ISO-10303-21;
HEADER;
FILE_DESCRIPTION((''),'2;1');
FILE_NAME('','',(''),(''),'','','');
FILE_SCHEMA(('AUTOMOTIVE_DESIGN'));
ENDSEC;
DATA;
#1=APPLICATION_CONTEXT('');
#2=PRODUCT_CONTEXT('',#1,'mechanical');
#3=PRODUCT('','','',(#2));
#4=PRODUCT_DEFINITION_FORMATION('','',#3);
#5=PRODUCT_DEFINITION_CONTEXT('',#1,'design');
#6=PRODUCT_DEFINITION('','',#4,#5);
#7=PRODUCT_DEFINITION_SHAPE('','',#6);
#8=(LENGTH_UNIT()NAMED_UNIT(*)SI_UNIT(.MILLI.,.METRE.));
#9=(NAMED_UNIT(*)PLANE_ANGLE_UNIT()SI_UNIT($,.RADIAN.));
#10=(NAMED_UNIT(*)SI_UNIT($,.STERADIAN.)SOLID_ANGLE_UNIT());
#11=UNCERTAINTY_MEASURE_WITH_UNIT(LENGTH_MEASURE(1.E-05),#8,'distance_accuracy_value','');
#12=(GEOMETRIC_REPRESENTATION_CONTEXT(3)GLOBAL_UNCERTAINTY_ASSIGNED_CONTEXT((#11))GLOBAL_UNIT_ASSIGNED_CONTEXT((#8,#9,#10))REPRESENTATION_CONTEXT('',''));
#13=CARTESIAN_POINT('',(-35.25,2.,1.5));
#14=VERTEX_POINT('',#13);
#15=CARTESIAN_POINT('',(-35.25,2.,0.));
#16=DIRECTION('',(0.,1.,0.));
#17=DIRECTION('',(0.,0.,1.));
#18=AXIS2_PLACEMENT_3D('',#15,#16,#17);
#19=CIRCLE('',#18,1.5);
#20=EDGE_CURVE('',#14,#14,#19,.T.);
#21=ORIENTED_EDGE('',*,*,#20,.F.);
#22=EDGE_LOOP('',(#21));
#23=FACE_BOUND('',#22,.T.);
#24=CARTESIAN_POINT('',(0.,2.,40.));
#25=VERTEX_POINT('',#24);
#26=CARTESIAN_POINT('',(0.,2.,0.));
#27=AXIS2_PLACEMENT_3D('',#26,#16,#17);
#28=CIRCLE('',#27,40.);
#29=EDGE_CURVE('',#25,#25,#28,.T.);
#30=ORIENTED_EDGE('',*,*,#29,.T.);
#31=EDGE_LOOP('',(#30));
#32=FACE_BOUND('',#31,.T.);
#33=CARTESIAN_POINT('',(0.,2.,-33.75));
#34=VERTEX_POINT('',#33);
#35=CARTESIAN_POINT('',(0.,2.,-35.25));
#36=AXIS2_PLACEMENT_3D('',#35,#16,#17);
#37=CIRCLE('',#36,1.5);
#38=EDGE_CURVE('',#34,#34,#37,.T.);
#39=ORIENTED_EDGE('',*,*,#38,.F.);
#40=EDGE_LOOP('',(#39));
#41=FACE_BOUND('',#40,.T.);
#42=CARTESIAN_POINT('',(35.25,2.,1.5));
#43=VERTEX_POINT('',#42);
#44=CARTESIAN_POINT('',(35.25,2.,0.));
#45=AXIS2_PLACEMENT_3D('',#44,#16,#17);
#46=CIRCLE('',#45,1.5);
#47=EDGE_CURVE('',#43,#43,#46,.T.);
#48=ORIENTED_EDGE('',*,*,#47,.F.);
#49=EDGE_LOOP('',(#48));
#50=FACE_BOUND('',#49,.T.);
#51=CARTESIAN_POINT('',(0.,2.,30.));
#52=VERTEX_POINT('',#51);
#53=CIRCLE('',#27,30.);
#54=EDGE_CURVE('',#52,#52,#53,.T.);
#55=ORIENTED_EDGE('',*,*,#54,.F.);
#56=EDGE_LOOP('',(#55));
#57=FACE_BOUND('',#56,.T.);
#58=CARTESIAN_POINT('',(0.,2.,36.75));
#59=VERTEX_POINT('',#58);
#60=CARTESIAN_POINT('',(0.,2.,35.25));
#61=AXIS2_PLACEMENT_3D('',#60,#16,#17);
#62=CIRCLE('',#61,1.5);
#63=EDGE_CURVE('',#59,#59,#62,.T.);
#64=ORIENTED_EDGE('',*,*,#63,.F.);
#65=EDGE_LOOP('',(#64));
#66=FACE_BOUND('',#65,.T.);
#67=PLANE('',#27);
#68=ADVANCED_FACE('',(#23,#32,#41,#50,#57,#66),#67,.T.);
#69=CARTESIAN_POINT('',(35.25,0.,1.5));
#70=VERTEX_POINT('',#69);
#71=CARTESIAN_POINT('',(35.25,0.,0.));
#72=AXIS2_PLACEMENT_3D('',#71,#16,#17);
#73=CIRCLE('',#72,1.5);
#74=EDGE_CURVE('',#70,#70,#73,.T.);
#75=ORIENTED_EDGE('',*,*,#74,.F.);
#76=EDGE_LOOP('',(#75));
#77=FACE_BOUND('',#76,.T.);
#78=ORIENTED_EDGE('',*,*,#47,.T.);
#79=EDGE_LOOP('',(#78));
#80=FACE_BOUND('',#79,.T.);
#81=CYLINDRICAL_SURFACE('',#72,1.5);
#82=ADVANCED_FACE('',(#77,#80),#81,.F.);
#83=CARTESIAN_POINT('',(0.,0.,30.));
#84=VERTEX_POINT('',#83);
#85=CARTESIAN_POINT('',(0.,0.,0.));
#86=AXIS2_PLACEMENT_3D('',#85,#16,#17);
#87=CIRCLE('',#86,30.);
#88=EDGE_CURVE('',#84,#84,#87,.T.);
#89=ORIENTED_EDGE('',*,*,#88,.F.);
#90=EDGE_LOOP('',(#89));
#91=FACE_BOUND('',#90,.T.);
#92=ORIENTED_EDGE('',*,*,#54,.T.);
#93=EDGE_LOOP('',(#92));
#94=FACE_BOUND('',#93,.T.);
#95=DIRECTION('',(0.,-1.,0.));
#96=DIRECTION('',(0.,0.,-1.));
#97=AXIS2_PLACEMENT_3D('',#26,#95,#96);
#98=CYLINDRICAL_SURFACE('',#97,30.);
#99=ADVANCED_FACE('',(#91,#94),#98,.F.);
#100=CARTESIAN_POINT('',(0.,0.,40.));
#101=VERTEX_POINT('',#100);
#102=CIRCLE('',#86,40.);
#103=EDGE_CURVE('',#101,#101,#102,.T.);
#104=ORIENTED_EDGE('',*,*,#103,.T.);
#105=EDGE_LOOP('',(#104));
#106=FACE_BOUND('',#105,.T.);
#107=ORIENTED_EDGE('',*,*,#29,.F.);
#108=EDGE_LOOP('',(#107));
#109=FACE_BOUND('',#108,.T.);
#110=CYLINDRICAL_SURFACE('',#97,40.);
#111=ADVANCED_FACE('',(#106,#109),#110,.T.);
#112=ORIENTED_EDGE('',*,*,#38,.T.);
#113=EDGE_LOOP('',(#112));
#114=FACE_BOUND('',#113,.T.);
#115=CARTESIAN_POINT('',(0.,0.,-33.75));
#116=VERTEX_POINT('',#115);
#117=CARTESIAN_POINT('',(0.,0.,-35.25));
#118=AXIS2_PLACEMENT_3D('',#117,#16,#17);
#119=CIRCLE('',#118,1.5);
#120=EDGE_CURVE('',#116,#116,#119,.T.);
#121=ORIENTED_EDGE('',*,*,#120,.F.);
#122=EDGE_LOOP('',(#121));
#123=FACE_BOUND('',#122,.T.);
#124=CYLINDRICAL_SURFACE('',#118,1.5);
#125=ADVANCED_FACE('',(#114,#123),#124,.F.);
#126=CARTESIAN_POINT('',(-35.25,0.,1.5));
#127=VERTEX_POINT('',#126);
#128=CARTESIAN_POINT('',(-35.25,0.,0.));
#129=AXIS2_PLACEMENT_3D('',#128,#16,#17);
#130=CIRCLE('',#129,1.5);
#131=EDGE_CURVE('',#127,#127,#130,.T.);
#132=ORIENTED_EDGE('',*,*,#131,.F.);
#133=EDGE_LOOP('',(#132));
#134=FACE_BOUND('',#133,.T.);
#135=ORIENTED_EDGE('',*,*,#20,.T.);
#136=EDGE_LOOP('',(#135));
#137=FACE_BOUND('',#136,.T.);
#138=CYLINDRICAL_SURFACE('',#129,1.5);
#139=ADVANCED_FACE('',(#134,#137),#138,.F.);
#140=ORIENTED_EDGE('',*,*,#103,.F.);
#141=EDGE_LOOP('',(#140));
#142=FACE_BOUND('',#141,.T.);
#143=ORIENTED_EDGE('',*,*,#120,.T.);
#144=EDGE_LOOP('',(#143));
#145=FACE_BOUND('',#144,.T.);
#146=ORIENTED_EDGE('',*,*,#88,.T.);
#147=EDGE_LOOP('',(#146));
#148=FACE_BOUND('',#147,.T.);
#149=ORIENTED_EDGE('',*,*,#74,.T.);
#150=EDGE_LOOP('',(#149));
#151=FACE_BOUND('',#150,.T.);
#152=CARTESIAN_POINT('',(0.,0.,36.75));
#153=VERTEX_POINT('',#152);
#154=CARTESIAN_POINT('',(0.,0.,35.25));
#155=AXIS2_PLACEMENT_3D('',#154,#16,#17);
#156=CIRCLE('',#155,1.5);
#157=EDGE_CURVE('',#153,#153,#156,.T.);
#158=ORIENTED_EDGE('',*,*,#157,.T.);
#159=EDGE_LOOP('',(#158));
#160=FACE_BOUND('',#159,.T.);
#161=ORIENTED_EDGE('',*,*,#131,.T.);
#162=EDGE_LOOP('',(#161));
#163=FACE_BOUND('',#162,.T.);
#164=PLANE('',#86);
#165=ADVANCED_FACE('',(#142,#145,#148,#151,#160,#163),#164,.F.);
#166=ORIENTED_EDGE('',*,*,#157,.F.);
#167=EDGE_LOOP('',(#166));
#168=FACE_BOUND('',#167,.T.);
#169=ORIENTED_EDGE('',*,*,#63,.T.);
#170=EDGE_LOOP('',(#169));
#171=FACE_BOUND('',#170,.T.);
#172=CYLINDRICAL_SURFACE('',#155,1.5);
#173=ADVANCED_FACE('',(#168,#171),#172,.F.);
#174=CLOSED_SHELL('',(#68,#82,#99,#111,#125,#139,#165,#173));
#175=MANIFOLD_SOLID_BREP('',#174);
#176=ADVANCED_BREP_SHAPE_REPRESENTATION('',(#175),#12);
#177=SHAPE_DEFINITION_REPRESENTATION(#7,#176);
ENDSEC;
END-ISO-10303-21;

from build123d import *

# Parameters (mm, degrees)
CROQUIS_BASE_R          = 40
CROQUIS_BASE_R_2        = 30
SALIENTE_EXTRUIR1_DEPTH = 2
CROQUIS_BARRENOS_R      = 1.5
CORTAR_EXTRUIR1_DEPTH   = 2


with BuildPart() as part:
    # Croquis base → Saliente-Extruir1 (new body)
    with BuildSketch(Plane(origin=(0, 0, 0), x_dir=(1, 0, 0), z_dir=(0, 1, 0))):
        with Locations(Location((0, 0, 0), (0, 0, 270))):
            Circle(CROQUIS_BASE_R)
        with Locations(Location((0, 0, 0), (0, 0, 270))):
            Circle(CROQUIS_BASE_R_2, mode=Mode.SUBTRACT)
    extrude(amount=SALIENTE_EXTRUIR1_DEPTH)

    # Croquis Barrenos → Cortar-Extruir1 (cut)
    with BuildSketch(Plane(origin=(0, 2, 0), x_dir=(1, 0, 0), z_dir=(0, 1, 0))):
        with Locations(Location((-35.25, 0, 0), (0, 0, 270))):
            Circle(CROQUIS_BARRENOS_R)
        with Locations(Location((0, 35.25, 0), (0, 0, 270))):
            Circle(CROQUIS_BARRENOS_R)
        with Locations(Location((35.25, 0, 0), (0, 0, 270))):
            Circle(CROQUIS_BARRENOS_R)
        with Locations(Location((0, -35.25, 0), (0, 0, 270))):
            Circle(CROQUIS_BARRENOS_R)
    extrude(amount=-CORTAR_EXTRUIR1_DEPTH, mode=Mode.SUBTRACT)


solid = part.part
